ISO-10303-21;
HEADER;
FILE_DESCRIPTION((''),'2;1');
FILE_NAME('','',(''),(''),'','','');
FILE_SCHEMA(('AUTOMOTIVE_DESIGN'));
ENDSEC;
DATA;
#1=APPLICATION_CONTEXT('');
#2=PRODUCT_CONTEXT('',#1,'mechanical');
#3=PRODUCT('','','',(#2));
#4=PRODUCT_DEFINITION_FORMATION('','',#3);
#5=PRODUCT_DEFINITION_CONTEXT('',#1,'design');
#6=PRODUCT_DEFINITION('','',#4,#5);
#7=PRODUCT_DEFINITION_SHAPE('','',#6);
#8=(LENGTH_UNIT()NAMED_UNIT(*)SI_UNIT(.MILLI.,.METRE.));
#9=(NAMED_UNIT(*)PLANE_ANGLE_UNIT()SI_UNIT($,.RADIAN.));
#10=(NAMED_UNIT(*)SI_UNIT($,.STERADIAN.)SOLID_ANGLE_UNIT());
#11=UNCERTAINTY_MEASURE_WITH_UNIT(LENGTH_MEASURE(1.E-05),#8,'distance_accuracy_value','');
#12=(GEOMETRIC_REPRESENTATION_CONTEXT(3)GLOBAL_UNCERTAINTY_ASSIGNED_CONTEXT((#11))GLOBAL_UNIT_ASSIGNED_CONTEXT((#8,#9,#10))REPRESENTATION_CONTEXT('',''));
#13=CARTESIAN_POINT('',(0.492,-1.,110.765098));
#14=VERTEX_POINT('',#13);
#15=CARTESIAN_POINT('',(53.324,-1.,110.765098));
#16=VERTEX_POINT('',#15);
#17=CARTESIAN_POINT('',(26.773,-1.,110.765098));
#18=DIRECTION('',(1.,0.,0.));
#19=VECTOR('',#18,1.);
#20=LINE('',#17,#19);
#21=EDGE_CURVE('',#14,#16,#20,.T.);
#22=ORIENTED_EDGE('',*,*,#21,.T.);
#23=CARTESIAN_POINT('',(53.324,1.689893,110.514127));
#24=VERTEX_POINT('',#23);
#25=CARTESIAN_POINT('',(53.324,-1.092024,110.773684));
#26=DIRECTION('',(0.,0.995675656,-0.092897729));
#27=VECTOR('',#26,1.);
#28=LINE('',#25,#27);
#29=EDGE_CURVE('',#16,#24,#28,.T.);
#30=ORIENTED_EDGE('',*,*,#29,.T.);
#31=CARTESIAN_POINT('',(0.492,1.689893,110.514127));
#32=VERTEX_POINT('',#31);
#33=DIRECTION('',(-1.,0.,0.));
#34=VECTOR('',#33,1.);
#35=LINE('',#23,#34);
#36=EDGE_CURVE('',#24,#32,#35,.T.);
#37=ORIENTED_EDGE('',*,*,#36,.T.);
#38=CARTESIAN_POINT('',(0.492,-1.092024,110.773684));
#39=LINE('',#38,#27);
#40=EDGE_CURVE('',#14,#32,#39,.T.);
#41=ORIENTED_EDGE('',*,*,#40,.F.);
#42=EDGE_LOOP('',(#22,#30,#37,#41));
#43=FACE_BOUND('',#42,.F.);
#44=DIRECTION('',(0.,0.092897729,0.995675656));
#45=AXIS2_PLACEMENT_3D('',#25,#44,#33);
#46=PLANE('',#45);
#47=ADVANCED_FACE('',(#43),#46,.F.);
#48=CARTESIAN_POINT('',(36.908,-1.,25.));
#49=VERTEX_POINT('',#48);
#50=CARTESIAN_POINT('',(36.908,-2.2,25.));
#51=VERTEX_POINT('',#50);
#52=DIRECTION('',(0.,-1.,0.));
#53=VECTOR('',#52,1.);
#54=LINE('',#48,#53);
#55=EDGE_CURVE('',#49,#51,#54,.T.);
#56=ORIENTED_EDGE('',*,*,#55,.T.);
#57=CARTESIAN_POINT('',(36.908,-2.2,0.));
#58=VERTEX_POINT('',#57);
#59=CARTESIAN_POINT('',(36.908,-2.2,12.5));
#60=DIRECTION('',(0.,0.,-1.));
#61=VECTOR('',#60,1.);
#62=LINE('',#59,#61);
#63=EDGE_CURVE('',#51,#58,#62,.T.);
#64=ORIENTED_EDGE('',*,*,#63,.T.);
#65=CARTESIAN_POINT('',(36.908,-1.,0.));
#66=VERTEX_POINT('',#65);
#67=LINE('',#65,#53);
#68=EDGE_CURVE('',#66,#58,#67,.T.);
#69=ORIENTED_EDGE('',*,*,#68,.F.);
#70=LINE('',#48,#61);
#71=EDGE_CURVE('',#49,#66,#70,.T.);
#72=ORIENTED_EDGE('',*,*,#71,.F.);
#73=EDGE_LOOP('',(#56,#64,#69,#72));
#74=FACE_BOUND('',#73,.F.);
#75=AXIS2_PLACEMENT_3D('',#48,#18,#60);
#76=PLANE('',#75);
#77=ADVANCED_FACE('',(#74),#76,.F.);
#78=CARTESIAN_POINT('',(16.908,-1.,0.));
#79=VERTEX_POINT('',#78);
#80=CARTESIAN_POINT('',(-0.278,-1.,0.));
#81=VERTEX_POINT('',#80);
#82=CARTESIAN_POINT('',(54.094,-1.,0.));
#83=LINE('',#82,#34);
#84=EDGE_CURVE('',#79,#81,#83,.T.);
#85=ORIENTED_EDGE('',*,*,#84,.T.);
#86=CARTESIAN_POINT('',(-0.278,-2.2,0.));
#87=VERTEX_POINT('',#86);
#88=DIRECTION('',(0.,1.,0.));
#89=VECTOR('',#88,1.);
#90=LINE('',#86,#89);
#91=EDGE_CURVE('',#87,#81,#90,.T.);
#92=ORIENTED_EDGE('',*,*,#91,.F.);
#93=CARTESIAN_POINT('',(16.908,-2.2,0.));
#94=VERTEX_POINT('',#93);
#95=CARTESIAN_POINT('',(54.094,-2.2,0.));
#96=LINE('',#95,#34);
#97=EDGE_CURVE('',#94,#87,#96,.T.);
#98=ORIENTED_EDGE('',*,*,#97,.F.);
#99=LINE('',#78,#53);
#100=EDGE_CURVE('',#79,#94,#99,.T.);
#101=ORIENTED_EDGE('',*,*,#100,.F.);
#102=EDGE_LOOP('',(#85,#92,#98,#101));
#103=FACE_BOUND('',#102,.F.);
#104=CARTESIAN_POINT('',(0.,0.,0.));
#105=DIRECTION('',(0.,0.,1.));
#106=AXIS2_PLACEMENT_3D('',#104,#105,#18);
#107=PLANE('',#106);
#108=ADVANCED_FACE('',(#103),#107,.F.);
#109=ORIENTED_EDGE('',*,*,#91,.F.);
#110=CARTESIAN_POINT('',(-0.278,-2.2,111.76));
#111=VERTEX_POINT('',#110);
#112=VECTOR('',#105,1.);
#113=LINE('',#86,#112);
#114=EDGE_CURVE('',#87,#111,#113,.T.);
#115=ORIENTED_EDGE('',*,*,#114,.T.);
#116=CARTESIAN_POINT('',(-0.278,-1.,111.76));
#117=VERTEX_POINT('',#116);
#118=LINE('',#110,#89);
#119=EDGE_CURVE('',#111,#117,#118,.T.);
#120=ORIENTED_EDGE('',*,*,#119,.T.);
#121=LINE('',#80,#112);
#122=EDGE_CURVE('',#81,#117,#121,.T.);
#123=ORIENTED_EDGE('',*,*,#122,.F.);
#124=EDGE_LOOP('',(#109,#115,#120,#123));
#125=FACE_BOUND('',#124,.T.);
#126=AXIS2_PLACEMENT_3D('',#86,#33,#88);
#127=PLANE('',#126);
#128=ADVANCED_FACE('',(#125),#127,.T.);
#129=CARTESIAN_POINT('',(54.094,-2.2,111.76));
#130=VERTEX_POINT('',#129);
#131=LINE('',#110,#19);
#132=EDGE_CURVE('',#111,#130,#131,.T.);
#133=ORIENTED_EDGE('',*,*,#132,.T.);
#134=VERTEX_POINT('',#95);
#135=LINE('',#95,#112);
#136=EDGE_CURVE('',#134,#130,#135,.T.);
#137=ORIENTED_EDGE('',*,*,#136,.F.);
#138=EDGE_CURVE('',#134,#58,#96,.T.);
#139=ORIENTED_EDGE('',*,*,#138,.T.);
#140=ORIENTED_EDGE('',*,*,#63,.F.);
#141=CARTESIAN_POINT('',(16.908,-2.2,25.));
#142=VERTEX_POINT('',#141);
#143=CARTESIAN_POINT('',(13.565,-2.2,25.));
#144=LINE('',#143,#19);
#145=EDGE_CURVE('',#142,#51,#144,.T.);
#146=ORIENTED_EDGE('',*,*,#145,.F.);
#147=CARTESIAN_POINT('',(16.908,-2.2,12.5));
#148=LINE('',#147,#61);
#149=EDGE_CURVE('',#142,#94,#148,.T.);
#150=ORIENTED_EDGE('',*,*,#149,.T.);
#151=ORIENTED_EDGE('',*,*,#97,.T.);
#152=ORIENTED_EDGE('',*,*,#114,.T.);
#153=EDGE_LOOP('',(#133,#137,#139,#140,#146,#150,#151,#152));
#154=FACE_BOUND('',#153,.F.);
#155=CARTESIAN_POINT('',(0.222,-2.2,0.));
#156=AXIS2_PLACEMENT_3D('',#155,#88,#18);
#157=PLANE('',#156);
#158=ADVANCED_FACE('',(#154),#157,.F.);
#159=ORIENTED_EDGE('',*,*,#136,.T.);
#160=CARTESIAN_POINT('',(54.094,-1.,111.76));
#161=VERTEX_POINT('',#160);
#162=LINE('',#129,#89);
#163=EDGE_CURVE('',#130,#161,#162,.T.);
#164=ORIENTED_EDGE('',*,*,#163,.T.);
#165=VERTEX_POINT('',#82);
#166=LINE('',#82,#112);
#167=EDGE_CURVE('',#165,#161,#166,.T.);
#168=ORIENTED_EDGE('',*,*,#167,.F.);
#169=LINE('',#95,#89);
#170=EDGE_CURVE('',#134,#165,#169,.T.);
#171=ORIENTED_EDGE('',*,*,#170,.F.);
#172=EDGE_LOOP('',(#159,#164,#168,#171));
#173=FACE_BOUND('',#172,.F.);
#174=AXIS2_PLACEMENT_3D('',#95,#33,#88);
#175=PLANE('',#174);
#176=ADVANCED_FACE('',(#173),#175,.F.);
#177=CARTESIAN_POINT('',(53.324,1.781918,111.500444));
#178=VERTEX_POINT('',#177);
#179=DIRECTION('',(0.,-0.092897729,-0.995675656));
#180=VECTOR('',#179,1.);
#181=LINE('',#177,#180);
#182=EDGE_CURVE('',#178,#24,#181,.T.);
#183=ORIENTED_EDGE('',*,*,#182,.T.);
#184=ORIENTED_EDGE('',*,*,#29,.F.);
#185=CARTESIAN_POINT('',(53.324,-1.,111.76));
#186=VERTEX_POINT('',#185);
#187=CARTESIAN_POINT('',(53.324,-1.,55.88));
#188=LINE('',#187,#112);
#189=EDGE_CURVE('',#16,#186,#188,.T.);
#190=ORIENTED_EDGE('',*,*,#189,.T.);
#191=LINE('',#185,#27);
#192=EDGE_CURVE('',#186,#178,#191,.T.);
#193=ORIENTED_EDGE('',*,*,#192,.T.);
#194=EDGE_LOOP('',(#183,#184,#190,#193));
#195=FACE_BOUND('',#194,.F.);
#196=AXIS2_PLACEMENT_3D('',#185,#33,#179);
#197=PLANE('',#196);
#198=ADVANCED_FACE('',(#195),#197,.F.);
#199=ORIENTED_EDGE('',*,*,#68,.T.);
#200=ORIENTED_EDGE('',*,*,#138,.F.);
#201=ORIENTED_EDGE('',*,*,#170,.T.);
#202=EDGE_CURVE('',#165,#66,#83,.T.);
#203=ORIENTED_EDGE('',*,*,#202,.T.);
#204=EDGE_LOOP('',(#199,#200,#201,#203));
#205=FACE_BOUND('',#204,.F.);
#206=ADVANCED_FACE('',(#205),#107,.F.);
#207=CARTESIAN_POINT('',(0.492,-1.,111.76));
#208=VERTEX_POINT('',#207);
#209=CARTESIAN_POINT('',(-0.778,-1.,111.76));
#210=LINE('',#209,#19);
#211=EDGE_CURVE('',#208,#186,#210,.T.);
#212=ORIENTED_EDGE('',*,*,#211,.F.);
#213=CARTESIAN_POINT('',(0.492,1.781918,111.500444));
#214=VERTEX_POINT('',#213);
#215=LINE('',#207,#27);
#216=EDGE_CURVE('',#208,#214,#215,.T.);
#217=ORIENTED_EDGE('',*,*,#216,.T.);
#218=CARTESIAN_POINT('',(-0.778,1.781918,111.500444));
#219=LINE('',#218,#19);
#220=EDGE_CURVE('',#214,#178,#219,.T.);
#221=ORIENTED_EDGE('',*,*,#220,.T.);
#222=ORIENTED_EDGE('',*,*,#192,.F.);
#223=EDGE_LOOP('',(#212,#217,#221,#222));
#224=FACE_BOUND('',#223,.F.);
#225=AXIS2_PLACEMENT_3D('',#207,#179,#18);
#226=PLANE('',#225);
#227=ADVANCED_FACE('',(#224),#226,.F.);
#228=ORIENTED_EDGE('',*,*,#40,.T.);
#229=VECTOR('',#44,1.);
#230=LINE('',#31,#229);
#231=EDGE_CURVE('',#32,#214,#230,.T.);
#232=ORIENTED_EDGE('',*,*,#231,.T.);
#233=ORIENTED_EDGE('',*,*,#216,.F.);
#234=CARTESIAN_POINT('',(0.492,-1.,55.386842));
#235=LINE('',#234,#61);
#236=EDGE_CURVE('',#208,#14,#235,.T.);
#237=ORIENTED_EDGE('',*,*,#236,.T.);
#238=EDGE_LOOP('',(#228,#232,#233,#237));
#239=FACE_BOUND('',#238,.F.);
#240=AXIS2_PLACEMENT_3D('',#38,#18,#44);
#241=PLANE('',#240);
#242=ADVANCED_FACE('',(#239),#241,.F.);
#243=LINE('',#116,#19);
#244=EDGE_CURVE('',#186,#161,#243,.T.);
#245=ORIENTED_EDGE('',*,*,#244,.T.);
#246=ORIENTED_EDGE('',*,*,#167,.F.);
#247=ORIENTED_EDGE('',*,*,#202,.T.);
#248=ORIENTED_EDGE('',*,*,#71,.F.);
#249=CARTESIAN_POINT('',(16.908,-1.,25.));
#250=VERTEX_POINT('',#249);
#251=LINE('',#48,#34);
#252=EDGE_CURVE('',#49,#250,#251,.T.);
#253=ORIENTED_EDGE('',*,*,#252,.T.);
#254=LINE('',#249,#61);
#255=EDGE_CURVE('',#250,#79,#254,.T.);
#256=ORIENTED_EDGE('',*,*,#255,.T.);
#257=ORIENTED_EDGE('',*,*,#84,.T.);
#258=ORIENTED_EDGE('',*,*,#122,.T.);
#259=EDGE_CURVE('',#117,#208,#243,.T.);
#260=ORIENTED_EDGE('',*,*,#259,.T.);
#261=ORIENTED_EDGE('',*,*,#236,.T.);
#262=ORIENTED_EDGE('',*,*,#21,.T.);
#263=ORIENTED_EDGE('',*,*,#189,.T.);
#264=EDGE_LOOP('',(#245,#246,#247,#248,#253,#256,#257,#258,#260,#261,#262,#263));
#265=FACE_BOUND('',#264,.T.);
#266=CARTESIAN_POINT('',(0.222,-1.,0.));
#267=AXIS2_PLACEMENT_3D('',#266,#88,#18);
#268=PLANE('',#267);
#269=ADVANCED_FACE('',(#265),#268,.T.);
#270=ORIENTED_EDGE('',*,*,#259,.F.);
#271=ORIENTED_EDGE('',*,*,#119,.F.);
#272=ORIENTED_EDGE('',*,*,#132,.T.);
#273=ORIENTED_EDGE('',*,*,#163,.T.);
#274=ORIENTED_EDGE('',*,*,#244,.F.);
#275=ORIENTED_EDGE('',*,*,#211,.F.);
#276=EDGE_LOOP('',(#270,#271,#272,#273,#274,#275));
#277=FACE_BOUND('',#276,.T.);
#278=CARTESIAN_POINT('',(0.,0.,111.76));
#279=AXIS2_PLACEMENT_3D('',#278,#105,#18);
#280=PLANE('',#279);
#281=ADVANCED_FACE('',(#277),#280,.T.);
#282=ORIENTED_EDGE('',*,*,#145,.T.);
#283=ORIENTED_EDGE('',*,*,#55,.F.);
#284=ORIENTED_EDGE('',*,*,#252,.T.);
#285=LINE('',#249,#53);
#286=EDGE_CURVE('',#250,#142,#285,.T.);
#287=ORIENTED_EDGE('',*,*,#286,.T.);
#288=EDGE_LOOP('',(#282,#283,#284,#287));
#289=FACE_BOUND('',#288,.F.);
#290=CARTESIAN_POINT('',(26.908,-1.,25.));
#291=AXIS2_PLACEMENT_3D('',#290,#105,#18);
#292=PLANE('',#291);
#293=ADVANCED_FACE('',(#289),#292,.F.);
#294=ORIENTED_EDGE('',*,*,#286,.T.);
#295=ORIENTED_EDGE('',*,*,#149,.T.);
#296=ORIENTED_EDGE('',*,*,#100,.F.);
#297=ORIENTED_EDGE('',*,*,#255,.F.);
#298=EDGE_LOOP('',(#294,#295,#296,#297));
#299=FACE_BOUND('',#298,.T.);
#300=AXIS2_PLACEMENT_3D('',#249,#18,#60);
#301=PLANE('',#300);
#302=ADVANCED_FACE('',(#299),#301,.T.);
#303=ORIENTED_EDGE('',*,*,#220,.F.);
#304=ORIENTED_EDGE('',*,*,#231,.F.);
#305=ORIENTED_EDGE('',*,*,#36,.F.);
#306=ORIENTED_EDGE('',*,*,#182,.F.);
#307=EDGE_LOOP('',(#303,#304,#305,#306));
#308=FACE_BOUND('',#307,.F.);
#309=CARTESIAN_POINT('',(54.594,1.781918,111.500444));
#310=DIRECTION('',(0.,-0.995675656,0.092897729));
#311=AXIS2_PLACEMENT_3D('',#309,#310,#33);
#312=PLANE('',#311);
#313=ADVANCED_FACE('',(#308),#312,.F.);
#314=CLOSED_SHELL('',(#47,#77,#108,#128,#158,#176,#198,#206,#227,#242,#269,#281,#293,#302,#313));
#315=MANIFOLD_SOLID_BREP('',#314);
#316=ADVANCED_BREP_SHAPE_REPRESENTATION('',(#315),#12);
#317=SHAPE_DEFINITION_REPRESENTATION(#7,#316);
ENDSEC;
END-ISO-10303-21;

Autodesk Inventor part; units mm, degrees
ref_plane "YZ Plane" through (0, 0, 0) normal (1, 0, 0) x (0, 1, 0)
ref_plane "XZ Plane" through (0, 0, 0) normal (0, 1, 0) x (-1, 0, 0)
ref_plane "XY Plane" through (0, 0, 0) normal (0, 0, 1) x (1, 0, 0)
sketch "Sketch1" plane through (0, 0, 0) normal (0, 0, 1) x (1, 0, 0)
  line L0 (0.222, 0) -> (0.222, -1)
  line L1 (0.222, 0) -> (0.222, -5.0532)
  line L2 (0.222, -1) -> (-0.778, -1)
  line L3 (-0.778, -1) -> (-0.778, -2.2)
  line L4 (53.594, 0) -> (55.372, 0)
  line L5 (53.594, 0) -> (53.594, -1)
  line L6 (53.594, 0) -> (53.594, -17.7031)
  line L7 (53.594, -1) -> (54.594, -1)
  line L8 (54.594, -1) -> (54.594, -2.2)
  line L9 (-1.778, 0) -> (-1.778, -17.5378)
  line L10 (-0.778, -2.2) -> (54.594, -2.2)
  line L11 (0.222, 0) -> (53.372, 0)
  line L12 (0.222, -1) -> (53.594, -1)
  line L13 (-0.778, -2.2) -> (54.594, -2.2)
  line L14 (54.594, -2.2) -> (54.594, -1)
  line L15 (54.594, -1) -> (-0.778, -1)
  line L16 (-0.778, -1) -> (-0.778, -2.2)
  line L17 (-0.278, -2.2) -> (-0.278, -1)
  line L18 (54.094, -2.2) -> (54.094, -1)
  point P0 (0, 0)
  point P1 (26.797, 5.3109)
  dimension "d0" = 1
  dimension "d1" = 1
  dimension "d2" = 1.2
  dimension "d3" = 1
  dimension "d4" = 1
  dimension "d5" = 1.2
extrude "Extrusion1" add sketch "Sketch1" along normal blind 111.76 contours L12 L6 L10 L1 | L1 L10 L17 L2 | L7 L18 L10 L6
sketch "Sketch2" plane through (-0.778, -1, 0) normal (0, 1, 0) x (1, 0, 0)
  line L0 (54.872, 0) -> (0.5, 0) projected
  line L1 (0, 0) -> (55.372, 0)
  line L2 (27.686, 0) -> (27.686, -25)
  line L3 (27.686, -25) -> (17.686, -25)
  line L4 (17.686, -25) -> (17.686, 0)
  line L5 (27.686, -25) -> (37.686, -25)
  line L6 (37.686, -25) -> (37.686, 0)
  line L7 (17.686, 0) -> (37.686, 0)
  point P0 (0.778, 0)
  dimension "d8" = 25
  dimension "d9" = 10
  dimension "d10" = 10
extrude "Extrusion2" cut sketch "Sketch2" against normal blind 111.76
sketch "Sketch3" plane through (-0.778, -1, 111.76) normal (0, 1, 0) x (1, 0, 0)
  line L0 (0, 111.76) -> (0, 0) projected
  line L1 (0, 0) -> (1.27, 0)
  line L2 (54.872, 0) -> (0.5, 0) projected
  line L3 (55.372, 0) -> (54.102, 0)
  line L4 (1.27, 0) -> (54.102, 0)
  line L5 (1.27, 0) -> (1.27, 0.9906)
  line L6 (1.27, 0.9906) -> (54.102, 0.9906)
  line L7 (54.102, 0.9906) -> (54.102, 0)
  point P0 (0.778, 111.76)
  dimension "d13" = 1.27
  dimension "d14" = 1.27
  dimension "d15" = 0.9906
ref_plane "Work Plane3" through (54.594, -1, 111.76) normal (0, -0.9957, 0.0929) x (-1, 0, 0)
ref_plane "Work Plane2" through (-0.778, -2.2, 111.76) normal (0, -0.0929, -0.9957) x (1, 0, 0)
sketch "Sketch5" plane through (54.594, -1, 111.76) normal (0, -0.9957, 0.0929) x (-1, 0, 0)
  line L0 (0, 111.76) -> (0, 0)
  line L1 (0, 0) -> (1.27, 0)
  line L2 (55.372, 0) -> (0, 0)
  line L3 (55.372, 0) -> (54.102, 0)
  line L4 (1.27, 0) -> (54.102, 0)
  line L5 (1.27, 0) -> (1.27, 0.9906)
  line L6 (1.27, 0.9906) -> (54.102, 0.9906)
  line L7 (54.102, 0.9906) -> (54.102, 0)
  point P0 (54.594, 111.1839)
  point P1 (0.778, 111.76)
  dimension "d26" = 1.27
  dimension "d27" = 1.27
  dimension "d28" = 0.9906
extrude "Extrusion5" add sketch "Sketch5" against normal blind 2.794
properties part number "betonbottom"
